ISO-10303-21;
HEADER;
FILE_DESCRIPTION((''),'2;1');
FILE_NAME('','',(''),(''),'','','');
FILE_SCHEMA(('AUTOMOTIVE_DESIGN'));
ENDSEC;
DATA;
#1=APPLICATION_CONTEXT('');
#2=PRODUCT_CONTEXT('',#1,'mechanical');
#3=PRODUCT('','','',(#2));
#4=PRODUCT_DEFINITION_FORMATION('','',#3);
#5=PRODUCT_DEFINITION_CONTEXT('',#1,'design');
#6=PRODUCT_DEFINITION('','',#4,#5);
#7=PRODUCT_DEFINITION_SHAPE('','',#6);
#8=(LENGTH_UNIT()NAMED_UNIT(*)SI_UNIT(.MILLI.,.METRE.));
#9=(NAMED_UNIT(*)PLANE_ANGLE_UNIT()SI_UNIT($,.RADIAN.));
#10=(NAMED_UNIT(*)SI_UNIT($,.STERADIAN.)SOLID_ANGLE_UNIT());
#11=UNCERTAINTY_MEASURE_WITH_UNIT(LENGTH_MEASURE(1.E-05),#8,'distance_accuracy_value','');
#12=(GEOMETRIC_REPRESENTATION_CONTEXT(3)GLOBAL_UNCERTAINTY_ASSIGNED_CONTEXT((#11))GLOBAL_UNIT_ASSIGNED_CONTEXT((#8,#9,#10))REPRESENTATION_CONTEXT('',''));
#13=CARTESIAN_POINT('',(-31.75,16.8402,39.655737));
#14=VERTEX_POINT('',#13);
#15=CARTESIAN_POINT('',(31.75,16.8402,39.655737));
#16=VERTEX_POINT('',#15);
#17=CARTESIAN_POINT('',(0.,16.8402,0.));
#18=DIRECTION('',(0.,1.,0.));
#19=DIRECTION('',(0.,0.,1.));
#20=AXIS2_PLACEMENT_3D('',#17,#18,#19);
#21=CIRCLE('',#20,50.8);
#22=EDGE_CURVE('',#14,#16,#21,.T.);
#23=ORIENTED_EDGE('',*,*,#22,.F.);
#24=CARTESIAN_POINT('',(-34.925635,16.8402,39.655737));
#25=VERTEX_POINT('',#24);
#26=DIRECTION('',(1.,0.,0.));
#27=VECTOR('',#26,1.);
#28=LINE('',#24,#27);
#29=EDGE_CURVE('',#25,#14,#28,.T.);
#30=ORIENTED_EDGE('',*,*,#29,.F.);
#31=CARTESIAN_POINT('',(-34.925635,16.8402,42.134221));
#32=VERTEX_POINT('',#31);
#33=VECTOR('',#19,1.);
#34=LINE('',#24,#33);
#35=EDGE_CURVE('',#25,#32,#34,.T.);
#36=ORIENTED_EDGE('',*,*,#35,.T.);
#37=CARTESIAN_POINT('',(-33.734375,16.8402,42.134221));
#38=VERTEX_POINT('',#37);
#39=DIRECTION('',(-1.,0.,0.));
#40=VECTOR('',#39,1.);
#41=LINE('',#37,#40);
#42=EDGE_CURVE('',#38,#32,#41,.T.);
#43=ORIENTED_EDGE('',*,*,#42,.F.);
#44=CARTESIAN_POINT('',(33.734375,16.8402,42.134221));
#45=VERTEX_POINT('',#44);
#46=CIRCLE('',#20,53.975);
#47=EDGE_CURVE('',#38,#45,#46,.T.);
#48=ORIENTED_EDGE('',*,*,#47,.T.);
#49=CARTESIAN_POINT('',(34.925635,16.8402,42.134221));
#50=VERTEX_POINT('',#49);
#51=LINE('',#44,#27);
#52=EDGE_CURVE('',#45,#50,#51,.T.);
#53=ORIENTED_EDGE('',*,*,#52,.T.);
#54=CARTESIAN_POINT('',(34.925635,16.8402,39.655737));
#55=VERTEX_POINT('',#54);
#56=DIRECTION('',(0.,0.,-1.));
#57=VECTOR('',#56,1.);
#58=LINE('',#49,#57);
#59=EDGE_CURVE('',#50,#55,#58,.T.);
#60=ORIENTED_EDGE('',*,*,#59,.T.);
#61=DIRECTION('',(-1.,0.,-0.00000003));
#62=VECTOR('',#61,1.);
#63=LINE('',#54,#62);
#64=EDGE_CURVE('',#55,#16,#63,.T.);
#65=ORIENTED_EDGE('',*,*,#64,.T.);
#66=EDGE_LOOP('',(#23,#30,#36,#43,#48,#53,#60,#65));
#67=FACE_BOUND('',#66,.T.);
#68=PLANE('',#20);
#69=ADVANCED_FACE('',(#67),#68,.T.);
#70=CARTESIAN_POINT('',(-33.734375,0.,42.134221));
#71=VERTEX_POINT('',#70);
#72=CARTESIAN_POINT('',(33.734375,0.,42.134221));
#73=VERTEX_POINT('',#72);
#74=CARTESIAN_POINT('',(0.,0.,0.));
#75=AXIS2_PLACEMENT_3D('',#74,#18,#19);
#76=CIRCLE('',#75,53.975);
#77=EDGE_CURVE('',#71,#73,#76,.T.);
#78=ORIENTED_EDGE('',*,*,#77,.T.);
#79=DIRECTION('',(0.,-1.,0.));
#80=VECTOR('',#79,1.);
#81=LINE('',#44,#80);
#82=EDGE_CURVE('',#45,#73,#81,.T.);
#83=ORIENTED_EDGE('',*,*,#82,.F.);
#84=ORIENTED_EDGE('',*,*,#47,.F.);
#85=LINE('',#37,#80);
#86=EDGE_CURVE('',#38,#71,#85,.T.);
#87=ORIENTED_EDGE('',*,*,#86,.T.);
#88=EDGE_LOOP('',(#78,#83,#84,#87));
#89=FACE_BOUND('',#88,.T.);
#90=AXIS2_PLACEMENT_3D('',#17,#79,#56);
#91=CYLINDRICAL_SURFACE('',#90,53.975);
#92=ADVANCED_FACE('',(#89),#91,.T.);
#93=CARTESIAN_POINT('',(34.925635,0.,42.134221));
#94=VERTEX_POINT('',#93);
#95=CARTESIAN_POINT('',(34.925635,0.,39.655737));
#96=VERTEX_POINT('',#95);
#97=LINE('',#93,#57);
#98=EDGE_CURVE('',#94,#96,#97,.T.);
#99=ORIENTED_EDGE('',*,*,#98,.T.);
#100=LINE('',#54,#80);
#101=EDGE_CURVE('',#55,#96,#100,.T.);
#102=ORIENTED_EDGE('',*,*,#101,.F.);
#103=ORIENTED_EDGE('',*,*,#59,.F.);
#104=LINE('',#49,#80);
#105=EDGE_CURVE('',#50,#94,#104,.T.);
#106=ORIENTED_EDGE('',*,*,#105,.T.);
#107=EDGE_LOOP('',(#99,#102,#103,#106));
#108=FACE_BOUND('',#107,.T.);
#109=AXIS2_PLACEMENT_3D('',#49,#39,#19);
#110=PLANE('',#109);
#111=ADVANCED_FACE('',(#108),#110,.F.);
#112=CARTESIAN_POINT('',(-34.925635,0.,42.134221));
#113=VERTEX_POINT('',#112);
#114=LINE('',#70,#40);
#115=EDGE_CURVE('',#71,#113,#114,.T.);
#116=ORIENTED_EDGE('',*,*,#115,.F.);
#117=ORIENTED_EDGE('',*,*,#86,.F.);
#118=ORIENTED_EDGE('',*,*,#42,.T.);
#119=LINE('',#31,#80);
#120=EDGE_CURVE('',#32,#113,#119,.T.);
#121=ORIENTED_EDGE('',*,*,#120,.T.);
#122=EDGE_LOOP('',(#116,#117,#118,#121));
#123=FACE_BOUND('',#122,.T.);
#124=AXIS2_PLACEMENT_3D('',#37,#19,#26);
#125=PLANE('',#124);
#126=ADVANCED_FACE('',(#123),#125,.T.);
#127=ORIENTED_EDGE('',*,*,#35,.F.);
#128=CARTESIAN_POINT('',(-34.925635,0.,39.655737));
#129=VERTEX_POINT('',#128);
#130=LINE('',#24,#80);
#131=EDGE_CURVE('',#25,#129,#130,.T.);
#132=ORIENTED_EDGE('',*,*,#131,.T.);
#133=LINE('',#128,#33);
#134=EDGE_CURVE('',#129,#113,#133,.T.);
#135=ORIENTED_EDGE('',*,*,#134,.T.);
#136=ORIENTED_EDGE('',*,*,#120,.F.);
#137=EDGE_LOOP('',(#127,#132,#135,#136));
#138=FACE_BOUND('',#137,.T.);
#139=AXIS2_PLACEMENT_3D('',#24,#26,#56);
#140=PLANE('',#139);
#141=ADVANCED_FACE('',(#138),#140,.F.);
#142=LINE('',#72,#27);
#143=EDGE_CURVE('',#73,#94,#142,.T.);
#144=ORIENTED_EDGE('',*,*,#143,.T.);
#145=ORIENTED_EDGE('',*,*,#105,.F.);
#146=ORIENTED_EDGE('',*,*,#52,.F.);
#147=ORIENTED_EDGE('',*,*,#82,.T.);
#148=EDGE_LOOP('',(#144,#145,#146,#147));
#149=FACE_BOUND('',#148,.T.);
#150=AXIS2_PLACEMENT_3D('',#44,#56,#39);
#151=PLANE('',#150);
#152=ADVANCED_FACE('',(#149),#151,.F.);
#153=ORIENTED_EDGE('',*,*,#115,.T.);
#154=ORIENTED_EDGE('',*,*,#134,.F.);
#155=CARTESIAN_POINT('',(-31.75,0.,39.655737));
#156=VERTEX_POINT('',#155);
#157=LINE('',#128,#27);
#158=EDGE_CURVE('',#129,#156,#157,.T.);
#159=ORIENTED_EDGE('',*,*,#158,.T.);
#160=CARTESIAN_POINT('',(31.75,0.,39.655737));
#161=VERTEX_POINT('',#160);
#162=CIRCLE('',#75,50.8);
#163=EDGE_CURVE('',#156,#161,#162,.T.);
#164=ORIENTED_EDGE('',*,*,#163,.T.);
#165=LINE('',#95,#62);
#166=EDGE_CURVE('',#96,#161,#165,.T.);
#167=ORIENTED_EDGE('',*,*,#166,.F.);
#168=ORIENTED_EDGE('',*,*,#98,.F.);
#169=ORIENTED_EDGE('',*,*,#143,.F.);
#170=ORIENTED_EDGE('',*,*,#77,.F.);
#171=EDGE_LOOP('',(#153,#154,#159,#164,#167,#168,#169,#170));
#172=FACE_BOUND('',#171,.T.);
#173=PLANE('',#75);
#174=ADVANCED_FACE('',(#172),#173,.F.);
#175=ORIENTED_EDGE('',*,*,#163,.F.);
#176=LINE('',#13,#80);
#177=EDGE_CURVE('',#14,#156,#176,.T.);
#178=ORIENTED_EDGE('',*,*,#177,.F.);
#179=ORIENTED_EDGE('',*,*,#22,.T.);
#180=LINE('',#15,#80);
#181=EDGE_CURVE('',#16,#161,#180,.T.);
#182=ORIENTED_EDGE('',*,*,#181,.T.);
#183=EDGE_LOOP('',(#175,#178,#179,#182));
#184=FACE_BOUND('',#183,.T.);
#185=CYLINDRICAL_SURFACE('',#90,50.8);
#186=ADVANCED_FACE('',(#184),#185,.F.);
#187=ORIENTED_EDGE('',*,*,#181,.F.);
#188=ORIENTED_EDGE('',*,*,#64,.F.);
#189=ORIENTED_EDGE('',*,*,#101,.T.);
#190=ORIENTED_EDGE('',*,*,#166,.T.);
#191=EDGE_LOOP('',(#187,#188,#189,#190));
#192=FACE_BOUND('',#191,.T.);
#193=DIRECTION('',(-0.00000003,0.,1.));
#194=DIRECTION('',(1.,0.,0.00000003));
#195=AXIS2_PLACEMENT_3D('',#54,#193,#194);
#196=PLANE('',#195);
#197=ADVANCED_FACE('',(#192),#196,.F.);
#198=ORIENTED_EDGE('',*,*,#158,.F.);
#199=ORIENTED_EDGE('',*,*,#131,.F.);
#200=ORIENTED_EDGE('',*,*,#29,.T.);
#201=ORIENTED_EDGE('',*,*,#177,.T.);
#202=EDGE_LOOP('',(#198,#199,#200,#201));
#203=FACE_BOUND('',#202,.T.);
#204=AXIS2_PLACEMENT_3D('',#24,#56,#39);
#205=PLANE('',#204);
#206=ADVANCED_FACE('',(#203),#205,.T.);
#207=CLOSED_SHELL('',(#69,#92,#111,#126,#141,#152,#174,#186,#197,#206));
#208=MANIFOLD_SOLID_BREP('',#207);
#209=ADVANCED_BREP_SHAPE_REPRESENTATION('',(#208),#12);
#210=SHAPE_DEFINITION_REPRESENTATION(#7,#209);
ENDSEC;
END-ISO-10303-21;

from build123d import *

# Parameters (mm, degrees)
BOSS_EXTRUDE1_DEPTH = 16.8402


with BuildPart() as part:
    # Sketch2 → Boss-Extrude1 (new body)
    with BuildSketch(Plane(origin=(0, 0, 0), x_dir=(1, 0, 0), z_dir=(0, 1, 0))):
        with BuildLine():
            Line((-34.925635, -39.65573729), (-31.75, -39.65573729))
            ThreePointArc((-31.75, -39.65573729), (0, -50.8), (31.75, -39.65573729))
            Line((31.75, -39.65573729), (34.925635, -39.655737384))
            Line((34.925635, -39.655737384), (34.925635, -42.13422087))
            Line((34.925635, -42.13422087), (33.734375, -42.13422087))
            ThreePointArc((33.734375, -42.13422087), (0, -53.975), (-33.734375, -42.13422087))
            Line((-33.734375, -42.13422087), (-34.925635, -42.13422087))
            Line((-34.925635, -42.13422087), (-34.925635, -39.65573729))
        make_face()
    extrude(amount=BOSS_EXTRUDE1_DEPTH)


solid = part.part
